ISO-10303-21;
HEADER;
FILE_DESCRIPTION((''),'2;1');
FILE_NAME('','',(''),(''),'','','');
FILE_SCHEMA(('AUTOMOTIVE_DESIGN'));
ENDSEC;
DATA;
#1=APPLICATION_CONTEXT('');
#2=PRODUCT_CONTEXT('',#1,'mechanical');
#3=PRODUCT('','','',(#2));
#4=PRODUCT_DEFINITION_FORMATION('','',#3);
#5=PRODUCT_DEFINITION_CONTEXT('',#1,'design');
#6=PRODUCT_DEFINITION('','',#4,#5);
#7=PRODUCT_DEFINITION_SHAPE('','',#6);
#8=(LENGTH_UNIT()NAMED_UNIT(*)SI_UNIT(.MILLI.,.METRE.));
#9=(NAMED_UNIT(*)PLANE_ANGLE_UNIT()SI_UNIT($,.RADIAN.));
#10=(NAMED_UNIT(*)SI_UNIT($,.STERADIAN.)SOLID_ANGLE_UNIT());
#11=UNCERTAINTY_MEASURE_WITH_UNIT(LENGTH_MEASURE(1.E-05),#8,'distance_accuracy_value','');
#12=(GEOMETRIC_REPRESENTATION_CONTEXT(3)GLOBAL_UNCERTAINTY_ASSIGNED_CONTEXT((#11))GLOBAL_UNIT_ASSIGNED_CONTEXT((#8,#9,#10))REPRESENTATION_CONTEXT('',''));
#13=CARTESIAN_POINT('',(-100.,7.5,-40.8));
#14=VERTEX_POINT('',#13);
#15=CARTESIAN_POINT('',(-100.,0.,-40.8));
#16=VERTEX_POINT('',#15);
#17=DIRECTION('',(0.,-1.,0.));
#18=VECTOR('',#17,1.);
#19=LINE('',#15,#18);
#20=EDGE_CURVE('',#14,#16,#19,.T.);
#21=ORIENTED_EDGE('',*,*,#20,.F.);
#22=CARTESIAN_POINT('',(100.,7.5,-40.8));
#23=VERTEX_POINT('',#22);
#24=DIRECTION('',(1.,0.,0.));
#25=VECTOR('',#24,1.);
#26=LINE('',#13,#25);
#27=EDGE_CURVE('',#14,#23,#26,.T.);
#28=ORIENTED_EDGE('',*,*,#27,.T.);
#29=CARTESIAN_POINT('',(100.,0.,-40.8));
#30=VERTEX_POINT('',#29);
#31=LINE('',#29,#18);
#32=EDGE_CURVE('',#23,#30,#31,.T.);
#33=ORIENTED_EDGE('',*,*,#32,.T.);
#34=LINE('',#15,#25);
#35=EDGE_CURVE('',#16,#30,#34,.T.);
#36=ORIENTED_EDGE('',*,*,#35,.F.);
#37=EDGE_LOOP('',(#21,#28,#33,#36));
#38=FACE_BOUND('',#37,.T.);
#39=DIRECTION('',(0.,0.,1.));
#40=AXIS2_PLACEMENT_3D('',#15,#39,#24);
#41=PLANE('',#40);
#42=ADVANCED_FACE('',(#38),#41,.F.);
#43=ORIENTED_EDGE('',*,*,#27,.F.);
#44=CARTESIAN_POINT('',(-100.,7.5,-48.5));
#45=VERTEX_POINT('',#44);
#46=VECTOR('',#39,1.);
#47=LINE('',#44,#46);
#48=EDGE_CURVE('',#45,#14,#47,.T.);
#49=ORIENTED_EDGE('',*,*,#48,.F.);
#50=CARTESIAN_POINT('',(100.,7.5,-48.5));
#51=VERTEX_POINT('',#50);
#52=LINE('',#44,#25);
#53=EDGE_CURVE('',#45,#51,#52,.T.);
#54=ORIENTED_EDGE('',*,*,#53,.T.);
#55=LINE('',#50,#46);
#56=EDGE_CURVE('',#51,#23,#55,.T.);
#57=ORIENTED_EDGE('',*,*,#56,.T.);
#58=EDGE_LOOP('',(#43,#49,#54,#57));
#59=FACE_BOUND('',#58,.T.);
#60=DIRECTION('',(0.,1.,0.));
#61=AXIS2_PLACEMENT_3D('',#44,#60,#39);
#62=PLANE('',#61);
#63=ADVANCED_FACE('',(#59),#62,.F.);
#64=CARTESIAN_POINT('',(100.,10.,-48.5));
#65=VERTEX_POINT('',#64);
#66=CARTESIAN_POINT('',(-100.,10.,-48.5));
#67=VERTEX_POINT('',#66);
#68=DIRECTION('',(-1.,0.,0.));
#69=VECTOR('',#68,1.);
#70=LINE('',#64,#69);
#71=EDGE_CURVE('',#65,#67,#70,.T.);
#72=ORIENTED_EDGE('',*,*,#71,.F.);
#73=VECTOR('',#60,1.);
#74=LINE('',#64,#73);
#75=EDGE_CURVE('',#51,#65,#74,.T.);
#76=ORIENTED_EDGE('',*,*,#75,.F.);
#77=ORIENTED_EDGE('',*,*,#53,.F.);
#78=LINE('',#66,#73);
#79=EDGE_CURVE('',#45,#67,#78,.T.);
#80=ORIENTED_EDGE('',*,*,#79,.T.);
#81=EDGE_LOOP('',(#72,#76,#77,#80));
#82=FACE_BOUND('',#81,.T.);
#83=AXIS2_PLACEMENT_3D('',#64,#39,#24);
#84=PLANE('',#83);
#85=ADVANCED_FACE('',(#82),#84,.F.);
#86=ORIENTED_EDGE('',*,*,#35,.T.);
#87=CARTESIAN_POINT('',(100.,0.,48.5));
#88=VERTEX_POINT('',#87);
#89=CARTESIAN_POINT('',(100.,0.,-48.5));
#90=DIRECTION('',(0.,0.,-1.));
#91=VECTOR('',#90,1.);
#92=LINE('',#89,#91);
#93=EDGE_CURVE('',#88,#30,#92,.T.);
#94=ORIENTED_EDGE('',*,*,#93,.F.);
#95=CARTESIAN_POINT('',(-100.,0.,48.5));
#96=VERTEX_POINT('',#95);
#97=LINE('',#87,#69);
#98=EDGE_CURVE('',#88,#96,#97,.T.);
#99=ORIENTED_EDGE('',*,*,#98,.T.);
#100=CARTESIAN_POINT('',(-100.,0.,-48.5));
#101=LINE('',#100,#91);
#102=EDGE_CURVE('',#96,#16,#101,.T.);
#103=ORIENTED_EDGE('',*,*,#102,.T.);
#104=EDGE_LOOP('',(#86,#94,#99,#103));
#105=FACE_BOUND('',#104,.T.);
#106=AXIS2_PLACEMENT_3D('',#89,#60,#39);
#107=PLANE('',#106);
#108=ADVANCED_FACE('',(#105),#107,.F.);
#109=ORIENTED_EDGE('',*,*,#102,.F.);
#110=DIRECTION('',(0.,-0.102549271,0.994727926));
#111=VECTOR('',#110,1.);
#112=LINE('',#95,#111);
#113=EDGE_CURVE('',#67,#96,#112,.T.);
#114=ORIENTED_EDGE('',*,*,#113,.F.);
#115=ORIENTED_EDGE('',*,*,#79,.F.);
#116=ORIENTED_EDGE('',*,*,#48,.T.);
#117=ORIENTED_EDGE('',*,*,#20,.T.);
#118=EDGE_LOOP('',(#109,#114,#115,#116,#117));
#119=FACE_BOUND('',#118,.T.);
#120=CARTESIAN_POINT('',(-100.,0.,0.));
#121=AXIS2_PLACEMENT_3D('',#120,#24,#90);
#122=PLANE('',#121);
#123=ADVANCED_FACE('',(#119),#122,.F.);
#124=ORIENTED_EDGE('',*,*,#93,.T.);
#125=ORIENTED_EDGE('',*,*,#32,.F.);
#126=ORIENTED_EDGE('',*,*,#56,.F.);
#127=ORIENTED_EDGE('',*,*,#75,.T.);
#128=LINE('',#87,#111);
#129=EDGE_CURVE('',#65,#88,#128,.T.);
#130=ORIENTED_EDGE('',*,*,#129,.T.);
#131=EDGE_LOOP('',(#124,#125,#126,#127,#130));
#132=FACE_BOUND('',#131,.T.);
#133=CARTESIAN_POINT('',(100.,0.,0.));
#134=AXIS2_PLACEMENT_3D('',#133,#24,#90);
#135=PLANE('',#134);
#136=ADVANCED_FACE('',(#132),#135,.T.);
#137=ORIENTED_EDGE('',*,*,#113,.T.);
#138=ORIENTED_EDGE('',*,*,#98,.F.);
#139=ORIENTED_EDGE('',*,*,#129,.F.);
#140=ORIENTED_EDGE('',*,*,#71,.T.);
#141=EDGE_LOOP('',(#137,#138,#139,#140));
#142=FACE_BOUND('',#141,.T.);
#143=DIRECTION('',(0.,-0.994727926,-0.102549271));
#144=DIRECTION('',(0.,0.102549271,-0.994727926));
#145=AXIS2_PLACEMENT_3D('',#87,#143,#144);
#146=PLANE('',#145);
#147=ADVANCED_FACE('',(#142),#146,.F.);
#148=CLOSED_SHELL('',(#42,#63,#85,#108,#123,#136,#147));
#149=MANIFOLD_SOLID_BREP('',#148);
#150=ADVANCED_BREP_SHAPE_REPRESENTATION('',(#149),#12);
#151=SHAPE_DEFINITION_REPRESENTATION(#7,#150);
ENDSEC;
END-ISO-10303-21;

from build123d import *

# Parameters (mm, degrees)
BOSS_EXTRUDE1_DEPTH = 100
SKETCH3_W           = 7.7
SKETCH3_H           = 7.5
CUT_EXTRUDE1_DEPTH  = 207.039437972


with BuildPart() as part:
    # Sketch1 → Boss-Extrude1 (new, symmetric)
    with BuildSketch(Plane(origin=(0, 0, 0), x_dir=(0, 0, -1), z_dir=(1, 0, 0))):
        Polygon((-48.5, 0), (48.5, 10), (48.5, 0), align=None)
    extrude(amount=BOSS_EXTRUDE1_DEPTH, both=True)

    # Sketch3 → Cut-Extrude1 (cut, through all)
    with BuildSketch(Plane(origin=(100, 0, 0), x_dir=(0, 0, -1), z_dir=(1, 0, 0))):
        with Locations((44.65, 3.75)):
            Rectangle(SKETCH3_W, SKETCH3_H)
    extrude(amount=-CUT_EXTRUDE1_DEPTH, mode=Mode.SUBTRACT)


solid = part.part
